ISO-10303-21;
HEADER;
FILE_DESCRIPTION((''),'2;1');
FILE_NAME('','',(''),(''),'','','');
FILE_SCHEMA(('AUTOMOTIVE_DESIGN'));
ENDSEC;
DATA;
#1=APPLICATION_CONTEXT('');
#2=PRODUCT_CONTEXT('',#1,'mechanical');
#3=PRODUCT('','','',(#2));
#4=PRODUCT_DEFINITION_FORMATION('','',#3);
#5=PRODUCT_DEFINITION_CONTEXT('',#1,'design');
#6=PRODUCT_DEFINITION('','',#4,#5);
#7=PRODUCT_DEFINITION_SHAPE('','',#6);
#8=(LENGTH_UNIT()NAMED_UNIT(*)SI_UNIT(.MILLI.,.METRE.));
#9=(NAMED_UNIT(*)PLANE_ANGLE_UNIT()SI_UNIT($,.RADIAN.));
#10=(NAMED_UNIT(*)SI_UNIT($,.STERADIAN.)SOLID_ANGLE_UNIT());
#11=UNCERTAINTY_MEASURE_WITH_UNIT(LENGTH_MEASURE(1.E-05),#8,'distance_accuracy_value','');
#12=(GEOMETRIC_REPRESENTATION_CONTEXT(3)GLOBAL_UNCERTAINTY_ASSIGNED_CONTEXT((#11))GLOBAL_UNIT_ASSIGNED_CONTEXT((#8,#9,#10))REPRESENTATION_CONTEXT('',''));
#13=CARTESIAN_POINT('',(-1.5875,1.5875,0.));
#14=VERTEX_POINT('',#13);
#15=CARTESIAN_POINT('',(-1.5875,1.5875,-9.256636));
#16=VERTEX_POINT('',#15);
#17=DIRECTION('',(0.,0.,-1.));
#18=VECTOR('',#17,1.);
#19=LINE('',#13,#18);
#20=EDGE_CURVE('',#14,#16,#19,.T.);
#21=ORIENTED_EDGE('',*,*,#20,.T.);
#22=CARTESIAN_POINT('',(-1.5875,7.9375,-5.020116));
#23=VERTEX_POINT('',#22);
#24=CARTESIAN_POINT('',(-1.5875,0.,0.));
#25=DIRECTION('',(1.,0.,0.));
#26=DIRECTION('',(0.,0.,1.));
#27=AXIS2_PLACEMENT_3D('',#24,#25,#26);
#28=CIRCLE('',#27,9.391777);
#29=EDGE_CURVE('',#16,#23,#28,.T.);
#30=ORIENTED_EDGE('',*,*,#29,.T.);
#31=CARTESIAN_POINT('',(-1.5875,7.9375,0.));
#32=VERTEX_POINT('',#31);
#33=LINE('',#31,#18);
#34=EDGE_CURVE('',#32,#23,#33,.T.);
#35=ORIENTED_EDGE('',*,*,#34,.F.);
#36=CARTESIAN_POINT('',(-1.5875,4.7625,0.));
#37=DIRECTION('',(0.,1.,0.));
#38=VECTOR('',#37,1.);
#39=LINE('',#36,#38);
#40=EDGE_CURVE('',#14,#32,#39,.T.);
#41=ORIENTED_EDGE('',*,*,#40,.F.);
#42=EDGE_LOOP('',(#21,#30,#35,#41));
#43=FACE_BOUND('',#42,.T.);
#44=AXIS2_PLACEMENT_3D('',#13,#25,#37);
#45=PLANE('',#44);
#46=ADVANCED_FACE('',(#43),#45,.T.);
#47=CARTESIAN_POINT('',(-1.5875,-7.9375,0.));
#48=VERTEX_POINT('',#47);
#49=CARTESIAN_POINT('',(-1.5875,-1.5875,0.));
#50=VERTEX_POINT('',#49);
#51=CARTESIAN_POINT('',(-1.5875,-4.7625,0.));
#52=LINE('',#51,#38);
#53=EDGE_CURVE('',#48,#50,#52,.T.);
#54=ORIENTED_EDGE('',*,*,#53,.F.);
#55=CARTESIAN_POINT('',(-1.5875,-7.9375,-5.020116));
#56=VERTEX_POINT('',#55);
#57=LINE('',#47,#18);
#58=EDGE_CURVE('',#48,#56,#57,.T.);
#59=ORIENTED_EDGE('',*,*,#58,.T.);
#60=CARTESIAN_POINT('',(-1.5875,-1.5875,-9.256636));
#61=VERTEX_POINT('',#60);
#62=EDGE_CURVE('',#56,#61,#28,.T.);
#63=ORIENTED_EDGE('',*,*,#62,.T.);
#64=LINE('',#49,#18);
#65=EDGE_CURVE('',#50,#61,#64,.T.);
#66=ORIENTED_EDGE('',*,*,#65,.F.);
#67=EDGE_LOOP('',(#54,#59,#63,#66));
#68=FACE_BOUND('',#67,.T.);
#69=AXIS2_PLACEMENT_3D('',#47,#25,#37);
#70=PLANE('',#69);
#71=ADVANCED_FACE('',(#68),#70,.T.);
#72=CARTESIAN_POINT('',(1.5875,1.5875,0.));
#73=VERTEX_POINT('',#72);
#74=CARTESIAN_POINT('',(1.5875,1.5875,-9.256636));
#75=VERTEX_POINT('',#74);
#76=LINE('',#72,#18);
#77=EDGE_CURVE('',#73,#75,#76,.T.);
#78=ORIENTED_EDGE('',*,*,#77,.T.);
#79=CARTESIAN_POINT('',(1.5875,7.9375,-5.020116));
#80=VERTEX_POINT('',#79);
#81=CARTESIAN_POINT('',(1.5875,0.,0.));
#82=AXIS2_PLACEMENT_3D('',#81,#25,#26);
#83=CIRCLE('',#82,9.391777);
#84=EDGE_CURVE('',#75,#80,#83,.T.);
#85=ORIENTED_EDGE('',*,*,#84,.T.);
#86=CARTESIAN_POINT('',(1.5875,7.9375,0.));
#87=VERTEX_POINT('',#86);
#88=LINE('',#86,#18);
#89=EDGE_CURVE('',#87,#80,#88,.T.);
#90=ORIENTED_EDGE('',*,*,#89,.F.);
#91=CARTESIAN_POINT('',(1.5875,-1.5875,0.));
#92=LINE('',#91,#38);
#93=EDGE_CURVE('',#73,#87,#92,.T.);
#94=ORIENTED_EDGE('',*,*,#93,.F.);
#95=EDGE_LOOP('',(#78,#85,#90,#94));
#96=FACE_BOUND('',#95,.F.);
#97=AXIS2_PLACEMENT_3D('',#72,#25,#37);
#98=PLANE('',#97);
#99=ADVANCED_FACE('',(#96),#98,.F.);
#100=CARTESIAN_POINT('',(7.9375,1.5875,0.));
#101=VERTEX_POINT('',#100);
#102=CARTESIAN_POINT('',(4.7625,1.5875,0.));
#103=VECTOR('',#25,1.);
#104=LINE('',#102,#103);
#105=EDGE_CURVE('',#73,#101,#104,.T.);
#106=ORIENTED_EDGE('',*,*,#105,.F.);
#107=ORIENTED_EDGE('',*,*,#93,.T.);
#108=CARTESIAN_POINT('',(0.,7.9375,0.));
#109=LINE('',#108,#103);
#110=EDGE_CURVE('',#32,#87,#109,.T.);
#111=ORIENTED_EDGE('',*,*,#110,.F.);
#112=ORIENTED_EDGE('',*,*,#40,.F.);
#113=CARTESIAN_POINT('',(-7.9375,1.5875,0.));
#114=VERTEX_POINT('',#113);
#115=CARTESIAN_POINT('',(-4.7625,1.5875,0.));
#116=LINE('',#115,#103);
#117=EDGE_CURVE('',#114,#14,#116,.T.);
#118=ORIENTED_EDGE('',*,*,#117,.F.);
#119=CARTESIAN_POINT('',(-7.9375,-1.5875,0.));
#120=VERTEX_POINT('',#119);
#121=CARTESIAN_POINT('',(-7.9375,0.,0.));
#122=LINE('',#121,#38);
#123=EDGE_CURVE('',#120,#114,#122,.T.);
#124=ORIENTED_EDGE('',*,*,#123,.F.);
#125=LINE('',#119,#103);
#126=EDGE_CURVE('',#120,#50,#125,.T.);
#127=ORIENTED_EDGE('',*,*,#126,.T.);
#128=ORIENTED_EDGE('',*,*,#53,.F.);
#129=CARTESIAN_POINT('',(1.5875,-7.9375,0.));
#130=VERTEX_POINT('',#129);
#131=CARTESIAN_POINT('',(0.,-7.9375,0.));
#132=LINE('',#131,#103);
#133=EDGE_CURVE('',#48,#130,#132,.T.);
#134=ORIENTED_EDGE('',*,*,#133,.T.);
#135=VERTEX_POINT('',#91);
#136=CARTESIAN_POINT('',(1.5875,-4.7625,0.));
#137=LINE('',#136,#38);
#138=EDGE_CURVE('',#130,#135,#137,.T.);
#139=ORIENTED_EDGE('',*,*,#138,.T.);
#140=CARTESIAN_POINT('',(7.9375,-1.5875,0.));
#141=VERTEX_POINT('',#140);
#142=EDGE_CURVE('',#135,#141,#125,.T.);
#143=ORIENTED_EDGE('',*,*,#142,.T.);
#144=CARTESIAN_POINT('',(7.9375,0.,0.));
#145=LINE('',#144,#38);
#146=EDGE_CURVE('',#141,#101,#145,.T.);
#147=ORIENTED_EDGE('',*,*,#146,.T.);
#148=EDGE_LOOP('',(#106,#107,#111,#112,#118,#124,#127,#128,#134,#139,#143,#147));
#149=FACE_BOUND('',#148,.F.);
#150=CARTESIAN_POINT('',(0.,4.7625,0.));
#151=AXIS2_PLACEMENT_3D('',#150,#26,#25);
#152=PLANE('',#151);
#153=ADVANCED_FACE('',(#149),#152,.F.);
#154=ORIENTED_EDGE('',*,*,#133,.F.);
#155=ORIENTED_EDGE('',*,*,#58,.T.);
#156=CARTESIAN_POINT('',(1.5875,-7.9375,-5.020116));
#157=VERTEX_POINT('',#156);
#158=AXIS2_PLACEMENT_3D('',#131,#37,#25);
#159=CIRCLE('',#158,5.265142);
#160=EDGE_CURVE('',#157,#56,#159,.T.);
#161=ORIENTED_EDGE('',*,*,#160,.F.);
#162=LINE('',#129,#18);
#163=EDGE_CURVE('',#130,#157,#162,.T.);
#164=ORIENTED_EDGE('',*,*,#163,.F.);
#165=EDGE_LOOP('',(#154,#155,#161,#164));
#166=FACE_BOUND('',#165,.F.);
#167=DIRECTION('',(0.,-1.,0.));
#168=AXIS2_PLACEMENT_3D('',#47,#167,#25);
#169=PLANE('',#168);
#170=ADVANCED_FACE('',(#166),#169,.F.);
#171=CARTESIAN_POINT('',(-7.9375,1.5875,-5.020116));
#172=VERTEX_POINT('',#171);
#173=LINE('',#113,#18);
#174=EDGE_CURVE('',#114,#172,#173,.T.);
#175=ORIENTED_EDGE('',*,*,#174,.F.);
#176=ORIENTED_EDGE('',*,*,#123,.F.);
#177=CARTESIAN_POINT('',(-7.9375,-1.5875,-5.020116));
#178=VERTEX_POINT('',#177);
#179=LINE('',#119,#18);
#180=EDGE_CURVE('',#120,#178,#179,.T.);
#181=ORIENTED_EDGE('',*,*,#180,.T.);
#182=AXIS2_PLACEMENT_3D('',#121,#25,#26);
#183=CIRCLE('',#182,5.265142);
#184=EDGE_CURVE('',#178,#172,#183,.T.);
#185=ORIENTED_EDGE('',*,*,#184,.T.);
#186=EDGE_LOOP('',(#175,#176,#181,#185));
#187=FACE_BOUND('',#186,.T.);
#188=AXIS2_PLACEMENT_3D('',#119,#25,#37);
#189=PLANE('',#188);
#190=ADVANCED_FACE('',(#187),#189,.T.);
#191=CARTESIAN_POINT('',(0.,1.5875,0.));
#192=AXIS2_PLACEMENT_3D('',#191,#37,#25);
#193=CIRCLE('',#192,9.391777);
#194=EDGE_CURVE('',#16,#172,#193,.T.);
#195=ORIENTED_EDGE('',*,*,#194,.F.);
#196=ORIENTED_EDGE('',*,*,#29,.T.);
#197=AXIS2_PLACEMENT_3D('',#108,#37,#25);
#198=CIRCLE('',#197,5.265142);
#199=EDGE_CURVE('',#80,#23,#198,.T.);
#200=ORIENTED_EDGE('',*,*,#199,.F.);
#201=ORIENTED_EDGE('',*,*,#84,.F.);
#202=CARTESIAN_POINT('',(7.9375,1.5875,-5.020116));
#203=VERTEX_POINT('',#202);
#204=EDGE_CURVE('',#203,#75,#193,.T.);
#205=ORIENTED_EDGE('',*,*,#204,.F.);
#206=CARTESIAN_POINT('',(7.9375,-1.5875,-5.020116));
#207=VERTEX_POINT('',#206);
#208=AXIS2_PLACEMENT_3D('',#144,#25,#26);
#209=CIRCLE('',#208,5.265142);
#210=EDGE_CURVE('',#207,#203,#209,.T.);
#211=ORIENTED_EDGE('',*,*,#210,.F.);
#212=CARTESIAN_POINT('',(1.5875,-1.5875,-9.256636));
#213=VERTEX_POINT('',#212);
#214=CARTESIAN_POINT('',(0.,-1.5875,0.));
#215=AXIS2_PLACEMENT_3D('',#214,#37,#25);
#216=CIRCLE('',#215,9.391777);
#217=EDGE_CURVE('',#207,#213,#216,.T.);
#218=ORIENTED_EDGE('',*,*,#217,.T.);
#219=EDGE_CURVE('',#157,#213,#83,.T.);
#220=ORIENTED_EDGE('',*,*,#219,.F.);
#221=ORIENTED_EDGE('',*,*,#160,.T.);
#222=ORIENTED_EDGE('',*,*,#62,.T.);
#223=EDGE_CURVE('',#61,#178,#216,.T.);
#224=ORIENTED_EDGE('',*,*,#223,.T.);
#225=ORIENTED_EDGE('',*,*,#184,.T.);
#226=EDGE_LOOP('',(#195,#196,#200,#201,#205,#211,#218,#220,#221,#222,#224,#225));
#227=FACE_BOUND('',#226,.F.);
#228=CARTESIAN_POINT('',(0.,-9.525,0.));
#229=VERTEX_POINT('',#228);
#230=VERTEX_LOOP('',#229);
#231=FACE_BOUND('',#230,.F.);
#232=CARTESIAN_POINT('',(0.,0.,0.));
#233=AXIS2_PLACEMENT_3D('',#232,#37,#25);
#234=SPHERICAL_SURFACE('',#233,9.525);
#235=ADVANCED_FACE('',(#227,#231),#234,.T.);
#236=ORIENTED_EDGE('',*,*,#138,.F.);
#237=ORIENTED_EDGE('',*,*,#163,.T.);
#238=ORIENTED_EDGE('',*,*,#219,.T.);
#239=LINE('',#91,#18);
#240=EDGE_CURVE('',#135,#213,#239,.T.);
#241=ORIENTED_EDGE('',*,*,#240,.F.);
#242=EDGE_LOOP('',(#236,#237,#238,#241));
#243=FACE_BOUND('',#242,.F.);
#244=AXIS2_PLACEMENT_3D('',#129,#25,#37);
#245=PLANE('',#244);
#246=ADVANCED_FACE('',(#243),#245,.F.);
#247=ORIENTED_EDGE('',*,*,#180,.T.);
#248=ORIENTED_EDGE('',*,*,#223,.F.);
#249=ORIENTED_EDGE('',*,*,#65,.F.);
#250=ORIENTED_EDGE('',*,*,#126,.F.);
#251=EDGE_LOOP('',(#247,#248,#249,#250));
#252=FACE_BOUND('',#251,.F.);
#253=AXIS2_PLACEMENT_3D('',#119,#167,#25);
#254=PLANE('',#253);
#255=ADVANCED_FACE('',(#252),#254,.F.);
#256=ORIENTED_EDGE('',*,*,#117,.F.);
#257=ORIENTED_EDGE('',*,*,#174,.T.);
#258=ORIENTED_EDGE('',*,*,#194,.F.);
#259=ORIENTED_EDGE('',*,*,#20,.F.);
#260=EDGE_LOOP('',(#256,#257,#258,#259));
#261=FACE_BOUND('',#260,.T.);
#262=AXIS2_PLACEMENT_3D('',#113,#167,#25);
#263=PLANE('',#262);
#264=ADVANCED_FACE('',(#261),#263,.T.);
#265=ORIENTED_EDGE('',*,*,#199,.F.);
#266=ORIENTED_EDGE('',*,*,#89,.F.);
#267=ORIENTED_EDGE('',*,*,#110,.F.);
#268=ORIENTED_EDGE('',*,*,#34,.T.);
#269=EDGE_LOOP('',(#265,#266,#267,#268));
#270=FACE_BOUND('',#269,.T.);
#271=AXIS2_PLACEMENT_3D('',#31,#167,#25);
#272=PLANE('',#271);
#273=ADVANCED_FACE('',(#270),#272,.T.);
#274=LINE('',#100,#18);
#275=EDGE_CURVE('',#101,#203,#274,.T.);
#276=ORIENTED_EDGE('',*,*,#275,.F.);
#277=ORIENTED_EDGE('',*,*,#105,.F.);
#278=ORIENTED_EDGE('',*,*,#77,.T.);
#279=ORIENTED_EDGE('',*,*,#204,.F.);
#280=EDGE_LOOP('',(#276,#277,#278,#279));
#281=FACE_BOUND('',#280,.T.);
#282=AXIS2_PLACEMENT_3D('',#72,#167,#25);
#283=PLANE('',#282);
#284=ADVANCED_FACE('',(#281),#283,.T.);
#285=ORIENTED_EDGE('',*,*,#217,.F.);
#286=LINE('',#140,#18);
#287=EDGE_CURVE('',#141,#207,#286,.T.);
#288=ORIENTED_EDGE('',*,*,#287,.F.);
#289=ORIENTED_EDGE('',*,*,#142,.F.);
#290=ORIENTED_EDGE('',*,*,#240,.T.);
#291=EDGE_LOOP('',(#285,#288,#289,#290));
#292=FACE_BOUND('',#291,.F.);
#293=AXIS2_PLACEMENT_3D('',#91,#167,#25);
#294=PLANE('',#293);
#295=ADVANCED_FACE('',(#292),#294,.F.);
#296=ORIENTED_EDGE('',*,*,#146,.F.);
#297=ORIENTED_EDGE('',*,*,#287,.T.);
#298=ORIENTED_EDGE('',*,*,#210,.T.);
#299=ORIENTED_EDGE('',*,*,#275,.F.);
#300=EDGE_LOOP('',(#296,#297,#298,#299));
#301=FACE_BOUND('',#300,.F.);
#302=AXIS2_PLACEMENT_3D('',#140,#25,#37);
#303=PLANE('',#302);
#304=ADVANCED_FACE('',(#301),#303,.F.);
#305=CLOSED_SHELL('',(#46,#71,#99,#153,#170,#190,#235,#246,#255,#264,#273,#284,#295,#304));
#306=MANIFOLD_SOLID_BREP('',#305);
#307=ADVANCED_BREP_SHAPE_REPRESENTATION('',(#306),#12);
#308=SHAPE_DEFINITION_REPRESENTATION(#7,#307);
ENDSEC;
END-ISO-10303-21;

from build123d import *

# Parameters (mm, degrees)
F2_W     = 3.175
F2_H     = 6.35
F2_W_2   = 6.35
F2_H_2   = 3.175
F3_DEPTH = 12.7


with BuildPart() as f1:
    # F0 (on Top) → F1 (revolve)
    with BuildSketch(Plane.XY):
        with BuildLine():
            ThreePointArc((0, -9.525), (9.525, 0), (0, 9.525))
            Line((0, 9.525), (0, -9.525))
        make_face()
    revolve(axis=Axis((0, 0, 0), (0, -1, 0)))

    # F2 (on Top) → F3 (cut)
    with BuildSketch(Plane.XY):
        with Locations((0, 4.7625)):
            Rectangle(F2_W, F2_H)
        with Locations((-4.7625, 0)):
            Rectangle(F2_W_2, F2_H_2)
        Rectangle(F2_W, F2_H_2)
        with Locations((4.7625, 0)):
            Rectangle(F2_W_2, F2_H_2)
        with Locations((0, -4.7625)):
            Rectangle(F2_W, F2_H)
    extrude(amount=-F3_DEPTH, mode=Mode.SUBTRACT)


solid = f1.part
